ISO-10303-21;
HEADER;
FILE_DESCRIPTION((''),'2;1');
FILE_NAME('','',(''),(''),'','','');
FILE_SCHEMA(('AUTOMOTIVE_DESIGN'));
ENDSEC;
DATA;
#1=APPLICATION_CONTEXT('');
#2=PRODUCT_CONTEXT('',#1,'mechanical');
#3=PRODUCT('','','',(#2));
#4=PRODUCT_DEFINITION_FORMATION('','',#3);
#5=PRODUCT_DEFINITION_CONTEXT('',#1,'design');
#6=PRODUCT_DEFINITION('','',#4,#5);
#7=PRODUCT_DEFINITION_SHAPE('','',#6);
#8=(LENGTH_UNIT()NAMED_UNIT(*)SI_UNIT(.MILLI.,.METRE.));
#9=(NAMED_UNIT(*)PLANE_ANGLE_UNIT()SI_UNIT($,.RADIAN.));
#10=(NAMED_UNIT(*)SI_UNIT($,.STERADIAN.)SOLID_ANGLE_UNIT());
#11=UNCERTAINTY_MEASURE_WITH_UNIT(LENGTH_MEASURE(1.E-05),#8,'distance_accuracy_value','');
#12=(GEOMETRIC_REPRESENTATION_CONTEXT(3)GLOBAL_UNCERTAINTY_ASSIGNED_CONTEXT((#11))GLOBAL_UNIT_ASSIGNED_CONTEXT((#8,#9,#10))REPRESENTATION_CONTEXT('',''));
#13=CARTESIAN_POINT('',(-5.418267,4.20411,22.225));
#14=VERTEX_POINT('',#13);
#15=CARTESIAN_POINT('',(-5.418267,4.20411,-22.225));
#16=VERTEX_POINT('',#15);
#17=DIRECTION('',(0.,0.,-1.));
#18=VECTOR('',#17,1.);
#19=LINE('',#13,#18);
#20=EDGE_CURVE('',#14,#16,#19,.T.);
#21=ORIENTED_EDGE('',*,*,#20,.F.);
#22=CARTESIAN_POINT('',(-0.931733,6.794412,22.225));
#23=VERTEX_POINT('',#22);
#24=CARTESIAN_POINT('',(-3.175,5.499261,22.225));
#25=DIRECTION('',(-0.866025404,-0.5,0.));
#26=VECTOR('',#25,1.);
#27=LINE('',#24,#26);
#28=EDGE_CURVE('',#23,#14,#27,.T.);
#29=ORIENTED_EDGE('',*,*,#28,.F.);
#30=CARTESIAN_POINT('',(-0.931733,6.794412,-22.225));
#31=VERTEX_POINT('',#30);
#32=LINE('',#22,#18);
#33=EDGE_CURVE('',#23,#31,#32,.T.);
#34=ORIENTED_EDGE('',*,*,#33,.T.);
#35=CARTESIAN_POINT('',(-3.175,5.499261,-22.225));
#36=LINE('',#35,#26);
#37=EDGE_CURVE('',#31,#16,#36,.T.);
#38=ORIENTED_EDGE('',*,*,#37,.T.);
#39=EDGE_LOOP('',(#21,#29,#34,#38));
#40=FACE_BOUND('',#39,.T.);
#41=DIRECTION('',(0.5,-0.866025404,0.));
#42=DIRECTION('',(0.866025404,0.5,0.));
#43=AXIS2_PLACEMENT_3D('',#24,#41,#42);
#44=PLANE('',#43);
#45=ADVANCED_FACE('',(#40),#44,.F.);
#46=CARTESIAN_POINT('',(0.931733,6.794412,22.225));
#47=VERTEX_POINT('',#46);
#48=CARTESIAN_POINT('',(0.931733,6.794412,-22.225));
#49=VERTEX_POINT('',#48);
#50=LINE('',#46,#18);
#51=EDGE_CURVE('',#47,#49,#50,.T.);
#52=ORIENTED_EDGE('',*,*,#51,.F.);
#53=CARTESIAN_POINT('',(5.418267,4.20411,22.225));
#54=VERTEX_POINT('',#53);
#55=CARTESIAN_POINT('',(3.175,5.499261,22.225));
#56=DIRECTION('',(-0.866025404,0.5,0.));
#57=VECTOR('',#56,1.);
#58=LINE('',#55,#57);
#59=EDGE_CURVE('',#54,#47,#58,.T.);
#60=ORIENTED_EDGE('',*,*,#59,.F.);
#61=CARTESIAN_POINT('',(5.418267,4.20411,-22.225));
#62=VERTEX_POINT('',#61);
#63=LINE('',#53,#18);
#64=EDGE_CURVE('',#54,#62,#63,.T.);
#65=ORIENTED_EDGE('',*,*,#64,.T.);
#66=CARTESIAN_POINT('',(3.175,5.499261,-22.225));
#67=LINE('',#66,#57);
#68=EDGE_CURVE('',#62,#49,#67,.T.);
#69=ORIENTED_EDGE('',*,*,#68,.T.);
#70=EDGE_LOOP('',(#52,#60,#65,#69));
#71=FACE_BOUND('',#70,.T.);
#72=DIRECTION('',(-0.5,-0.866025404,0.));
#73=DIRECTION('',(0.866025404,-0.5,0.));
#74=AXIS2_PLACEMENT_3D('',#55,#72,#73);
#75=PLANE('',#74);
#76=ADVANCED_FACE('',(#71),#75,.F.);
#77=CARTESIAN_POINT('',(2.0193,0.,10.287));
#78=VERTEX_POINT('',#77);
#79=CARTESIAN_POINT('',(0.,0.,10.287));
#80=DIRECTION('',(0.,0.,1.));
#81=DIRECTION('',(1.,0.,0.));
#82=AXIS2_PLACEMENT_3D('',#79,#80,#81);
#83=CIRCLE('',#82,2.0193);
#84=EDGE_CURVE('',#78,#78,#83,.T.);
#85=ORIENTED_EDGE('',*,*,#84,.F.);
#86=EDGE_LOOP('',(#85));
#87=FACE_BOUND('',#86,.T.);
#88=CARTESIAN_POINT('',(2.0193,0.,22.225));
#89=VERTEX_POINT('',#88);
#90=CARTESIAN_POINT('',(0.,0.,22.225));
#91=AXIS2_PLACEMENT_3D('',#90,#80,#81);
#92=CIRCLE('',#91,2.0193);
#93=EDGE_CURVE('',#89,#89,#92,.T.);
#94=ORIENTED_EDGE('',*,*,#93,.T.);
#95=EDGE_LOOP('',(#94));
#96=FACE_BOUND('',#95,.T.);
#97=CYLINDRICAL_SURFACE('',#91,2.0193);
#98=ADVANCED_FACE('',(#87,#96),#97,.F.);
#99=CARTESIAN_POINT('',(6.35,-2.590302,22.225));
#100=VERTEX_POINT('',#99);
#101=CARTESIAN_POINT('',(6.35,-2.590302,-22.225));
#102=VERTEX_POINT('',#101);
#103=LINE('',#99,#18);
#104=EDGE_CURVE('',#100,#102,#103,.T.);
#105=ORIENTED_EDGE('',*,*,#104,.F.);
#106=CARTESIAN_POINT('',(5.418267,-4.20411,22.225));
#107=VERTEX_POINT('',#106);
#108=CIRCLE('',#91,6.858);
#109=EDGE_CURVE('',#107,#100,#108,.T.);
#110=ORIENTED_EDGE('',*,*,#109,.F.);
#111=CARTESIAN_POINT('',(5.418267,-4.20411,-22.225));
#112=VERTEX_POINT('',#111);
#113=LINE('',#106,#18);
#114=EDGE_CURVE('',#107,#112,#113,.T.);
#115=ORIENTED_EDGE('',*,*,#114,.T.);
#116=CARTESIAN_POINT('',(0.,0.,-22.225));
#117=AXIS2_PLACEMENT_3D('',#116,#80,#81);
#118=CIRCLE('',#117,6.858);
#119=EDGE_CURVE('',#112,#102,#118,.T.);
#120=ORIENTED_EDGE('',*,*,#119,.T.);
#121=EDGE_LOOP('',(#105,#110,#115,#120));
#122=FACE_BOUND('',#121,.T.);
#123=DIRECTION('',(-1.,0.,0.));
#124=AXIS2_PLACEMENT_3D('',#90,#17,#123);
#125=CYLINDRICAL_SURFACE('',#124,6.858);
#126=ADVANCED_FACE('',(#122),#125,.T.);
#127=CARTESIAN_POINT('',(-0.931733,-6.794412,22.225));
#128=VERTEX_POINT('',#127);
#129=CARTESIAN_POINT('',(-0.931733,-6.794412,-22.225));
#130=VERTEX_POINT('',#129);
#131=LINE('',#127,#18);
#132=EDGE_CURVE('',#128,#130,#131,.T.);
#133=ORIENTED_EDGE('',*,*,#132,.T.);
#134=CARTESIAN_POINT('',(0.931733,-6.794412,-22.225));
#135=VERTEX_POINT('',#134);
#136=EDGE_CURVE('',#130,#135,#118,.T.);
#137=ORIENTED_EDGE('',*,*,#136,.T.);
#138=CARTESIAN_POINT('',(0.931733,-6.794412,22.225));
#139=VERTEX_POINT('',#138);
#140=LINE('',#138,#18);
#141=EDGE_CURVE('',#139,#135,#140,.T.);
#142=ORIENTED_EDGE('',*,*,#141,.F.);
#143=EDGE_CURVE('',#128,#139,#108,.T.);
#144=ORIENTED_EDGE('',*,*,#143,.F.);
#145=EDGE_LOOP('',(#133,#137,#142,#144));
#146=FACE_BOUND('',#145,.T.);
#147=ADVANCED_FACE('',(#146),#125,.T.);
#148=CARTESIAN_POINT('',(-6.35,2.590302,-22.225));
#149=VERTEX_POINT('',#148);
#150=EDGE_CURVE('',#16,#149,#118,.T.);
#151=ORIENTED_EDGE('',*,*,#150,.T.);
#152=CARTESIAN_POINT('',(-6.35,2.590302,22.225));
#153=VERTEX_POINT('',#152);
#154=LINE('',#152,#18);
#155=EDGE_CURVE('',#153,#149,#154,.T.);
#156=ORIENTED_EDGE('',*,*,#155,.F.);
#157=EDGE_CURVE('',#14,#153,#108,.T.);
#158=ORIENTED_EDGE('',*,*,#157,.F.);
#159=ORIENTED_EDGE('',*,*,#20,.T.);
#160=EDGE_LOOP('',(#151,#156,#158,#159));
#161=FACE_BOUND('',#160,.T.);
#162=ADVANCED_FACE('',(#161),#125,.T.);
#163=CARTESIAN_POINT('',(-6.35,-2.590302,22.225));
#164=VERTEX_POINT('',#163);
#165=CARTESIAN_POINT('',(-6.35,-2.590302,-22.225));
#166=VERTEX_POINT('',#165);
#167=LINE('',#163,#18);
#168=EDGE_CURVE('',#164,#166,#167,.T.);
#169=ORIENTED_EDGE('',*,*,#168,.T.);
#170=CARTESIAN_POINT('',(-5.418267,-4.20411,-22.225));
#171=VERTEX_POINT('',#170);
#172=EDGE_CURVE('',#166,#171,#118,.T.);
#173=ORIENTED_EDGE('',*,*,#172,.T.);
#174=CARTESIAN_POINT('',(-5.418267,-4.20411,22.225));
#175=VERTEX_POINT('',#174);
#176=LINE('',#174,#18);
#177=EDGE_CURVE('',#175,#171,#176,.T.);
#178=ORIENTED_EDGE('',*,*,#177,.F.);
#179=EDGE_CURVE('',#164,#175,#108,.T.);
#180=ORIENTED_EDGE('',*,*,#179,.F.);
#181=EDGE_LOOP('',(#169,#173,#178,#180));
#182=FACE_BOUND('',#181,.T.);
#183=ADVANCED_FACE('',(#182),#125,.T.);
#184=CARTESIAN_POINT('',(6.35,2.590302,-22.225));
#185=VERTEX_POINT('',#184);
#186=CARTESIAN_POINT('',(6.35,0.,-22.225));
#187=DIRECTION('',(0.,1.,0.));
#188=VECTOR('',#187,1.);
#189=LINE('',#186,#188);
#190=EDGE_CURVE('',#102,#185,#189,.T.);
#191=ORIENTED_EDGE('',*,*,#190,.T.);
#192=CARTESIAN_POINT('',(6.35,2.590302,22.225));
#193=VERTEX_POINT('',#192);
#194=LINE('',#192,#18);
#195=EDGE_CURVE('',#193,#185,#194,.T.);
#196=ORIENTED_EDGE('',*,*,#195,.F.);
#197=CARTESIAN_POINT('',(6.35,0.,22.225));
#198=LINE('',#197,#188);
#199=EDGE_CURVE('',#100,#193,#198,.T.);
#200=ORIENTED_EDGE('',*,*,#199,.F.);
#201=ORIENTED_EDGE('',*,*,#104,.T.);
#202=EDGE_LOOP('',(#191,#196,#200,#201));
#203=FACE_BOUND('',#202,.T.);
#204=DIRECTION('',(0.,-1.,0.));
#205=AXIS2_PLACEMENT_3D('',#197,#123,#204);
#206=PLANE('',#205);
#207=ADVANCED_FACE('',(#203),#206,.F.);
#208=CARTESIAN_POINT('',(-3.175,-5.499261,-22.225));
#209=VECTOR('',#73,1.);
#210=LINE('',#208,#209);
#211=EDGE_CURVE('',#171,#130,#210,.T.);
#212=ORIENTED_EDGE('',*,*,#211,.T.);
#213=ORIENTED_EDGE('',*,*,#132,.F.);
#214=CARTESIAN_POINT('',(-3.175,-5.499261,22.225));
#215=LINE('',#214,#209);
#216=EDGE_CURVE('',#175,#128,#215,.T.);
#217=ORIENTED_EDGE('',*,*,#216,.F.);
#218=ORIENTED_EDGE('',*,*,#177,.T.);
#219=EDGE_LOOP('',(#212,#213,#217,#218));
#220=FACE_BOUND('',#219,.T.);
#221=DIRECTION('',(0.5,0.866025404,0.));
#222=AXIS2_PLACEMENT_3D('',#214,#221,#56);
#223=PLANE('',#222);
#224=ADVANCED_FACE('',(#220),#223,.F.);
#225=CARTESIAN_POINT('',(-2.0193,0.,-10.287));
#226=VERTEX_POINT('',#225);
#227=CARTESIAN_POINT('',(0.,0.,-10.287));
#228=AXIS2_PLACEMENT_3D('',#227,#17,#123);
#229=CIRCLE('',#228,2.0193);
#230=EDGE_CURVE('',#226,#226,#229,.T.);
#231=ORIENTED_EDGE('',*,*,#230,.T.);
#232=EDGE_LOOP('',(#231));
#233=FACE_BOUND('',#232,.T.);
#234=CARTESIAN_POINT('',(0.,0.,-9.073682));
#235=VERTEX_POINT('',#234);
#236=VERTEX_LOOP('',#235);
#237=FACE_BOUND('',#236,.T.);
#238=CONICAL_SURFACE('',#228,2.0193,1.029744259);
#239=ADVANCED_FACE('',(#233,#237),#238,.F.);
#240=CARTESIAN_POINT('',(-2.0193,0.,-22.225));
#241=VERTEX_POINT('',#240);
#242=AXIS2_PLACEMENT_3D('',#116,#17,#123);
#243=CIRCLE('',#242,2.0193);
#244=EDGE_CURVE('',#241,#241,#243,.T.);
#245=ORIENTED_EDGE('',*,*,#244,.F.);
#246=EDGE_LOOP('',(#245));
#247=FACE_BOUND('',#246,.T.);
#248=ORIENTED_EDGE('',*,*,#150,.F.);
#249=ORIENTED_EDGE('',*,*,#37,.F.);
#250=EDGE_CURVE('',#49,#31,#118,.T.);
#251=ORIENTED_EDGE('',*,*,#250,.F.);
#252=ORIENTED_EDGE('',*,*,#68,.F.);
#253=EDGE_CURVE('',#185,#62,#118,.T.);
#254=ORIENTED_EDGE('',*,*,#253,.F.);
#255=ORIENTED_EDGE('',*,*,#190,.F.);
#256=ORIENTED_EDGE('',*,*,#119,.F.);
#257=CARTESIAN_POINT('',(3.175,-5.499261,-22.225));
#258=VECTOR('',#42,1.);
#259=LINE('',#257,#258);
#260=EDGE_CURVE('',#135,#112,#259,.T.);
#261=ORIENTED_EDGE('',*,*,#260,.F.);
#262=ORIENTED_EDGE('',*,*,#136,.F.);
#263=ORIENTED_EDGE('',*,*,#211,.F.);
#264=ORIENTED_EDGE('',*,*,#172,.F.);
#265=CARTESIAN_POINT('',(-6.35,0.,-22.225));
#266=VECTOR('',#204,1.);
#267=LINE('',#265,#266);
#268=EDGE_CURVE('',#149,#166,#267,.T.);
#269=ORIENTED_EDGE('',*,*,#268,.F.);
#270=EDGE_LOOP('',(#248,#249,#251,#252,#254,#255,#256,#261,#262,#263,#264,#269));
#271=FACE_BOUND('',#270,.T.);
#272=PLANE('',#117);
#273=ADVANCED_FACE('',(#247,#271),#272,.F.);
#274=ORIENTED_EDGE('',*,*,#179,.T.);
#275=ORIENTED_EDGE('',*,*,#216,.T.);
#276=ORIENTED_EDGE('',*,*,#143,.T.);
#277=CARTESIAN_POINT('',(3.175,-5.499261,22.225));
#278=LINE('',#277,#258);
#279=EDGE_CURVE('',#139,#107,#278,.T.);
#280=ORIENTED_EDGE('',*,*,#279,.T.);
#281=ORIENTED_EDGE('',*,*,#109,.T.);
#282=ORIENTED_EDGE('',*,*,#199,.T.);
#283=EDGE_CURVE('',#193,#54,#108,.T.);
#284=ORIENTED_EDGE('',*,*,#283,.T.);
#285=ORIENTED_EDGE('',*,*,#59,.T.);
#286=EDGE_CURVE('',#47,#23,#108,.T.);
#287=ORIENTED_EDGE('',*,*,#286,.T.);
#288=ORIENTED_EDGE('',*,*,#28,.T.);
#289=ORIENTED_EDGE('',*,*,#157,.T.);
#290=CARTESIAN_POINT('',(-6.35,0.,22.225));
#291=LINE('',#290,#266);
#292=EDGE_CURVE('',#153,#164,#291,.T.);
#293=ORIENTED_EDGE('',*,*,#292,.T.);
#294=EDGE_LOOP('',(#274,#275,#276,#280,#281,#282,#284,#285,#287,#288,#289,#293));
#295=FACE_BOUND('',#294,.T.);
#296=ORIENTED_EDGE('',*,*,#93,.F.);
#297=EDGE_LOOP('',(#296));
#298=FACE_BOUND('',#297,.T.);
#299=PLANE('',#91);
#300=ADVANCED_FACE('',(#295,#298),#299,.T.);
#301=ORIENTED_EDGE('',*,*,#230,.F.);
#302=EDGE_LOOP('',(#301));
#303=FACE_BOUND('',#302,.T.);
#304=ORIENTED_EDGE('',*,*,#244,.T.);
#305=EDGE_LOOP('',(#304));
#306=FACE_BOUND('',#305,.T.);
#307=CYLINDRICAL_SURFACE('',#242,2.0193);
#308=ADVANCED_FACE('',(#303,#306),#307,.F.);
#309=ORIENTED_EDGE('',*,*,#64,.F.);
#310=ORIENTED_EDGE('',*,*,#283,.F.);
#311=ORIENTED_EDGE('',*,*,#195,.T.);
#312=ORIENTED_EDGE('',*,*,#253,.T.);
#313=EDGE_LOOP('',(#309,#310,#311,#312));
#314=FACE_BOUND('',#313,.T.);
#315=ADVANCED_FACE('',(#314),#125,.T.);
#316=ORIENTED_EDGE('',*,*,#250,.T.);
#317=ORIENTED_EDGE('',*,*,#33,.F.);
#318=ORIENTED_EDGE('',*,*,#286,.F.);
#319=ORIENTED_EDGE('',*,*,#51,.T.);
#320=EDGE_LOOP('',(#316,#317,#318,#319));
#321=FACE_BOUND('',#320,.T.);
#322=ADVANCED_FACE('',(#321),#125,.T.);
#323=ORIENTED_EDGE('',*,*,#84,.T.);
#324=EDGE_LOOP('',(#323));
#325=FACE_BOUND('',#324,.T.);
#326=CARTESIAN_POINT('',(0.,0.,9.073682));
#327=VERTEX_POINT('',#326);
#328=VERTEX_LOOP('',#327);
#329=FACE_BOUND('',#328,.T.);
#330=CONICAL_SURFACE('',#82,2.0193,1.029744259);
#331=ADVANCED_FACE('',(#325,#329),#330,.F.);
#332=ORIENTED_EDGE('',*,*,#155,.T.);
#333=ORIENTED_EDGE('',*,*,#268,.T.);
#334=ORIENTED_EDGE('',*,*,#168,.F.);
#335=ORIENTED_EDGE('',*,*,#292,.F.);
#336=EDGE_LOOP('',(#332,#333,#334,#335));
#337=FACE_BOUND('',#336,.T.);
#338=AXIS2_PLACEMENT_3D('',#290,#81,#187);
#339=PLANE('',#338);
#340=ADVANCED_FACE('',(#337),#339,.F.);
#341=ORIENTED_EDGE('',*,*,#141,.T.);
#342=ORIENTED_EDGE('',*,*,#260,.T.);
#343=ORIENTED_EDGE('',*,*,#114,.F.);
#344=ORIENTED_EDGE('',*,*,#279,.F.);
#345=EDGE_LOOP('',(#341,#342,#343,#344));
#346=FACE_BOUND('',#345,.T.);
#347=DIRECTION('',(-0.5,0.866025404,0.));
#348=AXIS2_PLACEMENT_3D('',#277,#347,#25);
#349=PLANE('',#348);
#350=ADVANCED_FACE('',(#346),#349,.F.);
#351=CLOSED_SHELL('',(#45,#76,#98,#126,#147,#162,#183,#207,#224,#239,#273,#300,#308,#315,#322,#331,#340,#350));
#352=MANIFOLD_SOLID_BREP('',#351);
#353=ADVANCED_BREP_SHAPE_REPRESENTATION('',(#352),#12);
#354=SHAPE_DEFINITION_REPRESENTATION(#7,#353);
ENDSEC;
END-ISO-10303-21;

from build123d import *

# Parameters (mm, degrees)
BOSS_EXTRUDE1_DEPTH                  = 22.225
F_10_32_TAPPED_HOLE1_D               = 4.0386
F_10_32_TAPPED_HOLE1_DEPTH           = 11.938
F_10_32_TAPPED_HOLE1_TIP             = 1.213317848
F_10_32_TAPPED_HOLE1_ON_FACE_2_D     = 4.0386
F_10_32_TAPPED_HOLE1_ON_FACE_2_DEPTH = 11.938
F_10_32_TAPPED_HOLE1_ON_FACE_2_TIP   = 1.213317848


with BuildPart() as part:
    # Sketch1 → Boss-Extrude1 (new, symmetric)
    with BuildSketch(Plane.XY):
        with BuildLine():
            ThreePointArc((0.93173274, 6.79441227), (0, 6.858), (-0.93173274, 6.79441227))
            Line((-0.93173274, 6.79441227), (-5.41826726, 4.204110358))
            ThreePointArc((-5.41826726, 4.204110358), (-5.939202219, 3.429), (-6.35, 2.590301913))
            Line((-6.35, 2.590301913), (-6.35, -2.590301913))
            ThreePointArc((-6.35, -2.590301913), (-5.939202219, -3.429), (-5.41826726, -4.204110358))
            Line((-5.41826726, -4.204110358), (-0.93173274, -6.79441227))
            ThreePointArc((-0.93173274, -6.79441227), (0, -6.858), (0.93173274, -6.79441227))
            Line((0.93173274, -6.79441227), (5.41826726, -4.204110358))
            ThreePointArc((5.41826726, -4.204110358), (5.939202219, -3.429), (6.35, -2.590301913))
            Line((6.35, -2.590301913), (6.35, 2.590301913))
            ThreePointArc((6.35, 2.590301913), (5.939202219, 3.429), (5.41826726, 4.204110358))
            Line((5.41826726, 4.204110358), (0.93173274, 6.79441227))
        make_face()
    extrude(amount=BOSS_EXTRUDE1_DEPTH, both=True)

    # #10-32 Tapped Hole1
    with Locations(Plane(origin=(0, 0, -22.225), x_dir=(-1, 0, 0), z_dir=(0, 0, -1))):
        with Locations((0, 0)):
            Hole(F_10_32_TAPPED_HOLE1_D / 2, depth=F_10_32_TAPPED_HOLE1_DEPTH)
            with Locations((0, 0, -(F_10_32_TAPPED_HOLE1_DEPTH + F_10_32_TAPPED_HOLE1_TIP / 2))):  # 118° drill point
                Cone(0, F_10_32_TAPPED_HOLE1_D / 2, F_10_32_TAPPED_HOLE1_TIP, mode=Mode.SUBTRACT)

    # #10-32 Tapped Hole1 on face 2
    with Locations(Plane.XY.offset(22.225)):
        with Locations((0, 0)):
            Hole(F_10_32_TAPPED_HOLE1_ON_FACE_2_D / 2, depth=F_10_32_TAPPED_HOLE1_ON_FACE_2_DEPTH)
            with Locations((0, 0, -(F_10_32_TAPPED_HOLE1_ON_FACE_2_DEPTH + F_10_32_TAPPED_HOLE1_ON_FACE_2_TIP / 2))):  # 118° drill point
                Cone(0, F_10_32_TAPPED_HOLE1_ON_FACE_2_D / 2, F_10_32_TAPPED_HOLE1_ON_FACE_2_TIP, mode=Mode.SUBTRACT)


solid = part.part
